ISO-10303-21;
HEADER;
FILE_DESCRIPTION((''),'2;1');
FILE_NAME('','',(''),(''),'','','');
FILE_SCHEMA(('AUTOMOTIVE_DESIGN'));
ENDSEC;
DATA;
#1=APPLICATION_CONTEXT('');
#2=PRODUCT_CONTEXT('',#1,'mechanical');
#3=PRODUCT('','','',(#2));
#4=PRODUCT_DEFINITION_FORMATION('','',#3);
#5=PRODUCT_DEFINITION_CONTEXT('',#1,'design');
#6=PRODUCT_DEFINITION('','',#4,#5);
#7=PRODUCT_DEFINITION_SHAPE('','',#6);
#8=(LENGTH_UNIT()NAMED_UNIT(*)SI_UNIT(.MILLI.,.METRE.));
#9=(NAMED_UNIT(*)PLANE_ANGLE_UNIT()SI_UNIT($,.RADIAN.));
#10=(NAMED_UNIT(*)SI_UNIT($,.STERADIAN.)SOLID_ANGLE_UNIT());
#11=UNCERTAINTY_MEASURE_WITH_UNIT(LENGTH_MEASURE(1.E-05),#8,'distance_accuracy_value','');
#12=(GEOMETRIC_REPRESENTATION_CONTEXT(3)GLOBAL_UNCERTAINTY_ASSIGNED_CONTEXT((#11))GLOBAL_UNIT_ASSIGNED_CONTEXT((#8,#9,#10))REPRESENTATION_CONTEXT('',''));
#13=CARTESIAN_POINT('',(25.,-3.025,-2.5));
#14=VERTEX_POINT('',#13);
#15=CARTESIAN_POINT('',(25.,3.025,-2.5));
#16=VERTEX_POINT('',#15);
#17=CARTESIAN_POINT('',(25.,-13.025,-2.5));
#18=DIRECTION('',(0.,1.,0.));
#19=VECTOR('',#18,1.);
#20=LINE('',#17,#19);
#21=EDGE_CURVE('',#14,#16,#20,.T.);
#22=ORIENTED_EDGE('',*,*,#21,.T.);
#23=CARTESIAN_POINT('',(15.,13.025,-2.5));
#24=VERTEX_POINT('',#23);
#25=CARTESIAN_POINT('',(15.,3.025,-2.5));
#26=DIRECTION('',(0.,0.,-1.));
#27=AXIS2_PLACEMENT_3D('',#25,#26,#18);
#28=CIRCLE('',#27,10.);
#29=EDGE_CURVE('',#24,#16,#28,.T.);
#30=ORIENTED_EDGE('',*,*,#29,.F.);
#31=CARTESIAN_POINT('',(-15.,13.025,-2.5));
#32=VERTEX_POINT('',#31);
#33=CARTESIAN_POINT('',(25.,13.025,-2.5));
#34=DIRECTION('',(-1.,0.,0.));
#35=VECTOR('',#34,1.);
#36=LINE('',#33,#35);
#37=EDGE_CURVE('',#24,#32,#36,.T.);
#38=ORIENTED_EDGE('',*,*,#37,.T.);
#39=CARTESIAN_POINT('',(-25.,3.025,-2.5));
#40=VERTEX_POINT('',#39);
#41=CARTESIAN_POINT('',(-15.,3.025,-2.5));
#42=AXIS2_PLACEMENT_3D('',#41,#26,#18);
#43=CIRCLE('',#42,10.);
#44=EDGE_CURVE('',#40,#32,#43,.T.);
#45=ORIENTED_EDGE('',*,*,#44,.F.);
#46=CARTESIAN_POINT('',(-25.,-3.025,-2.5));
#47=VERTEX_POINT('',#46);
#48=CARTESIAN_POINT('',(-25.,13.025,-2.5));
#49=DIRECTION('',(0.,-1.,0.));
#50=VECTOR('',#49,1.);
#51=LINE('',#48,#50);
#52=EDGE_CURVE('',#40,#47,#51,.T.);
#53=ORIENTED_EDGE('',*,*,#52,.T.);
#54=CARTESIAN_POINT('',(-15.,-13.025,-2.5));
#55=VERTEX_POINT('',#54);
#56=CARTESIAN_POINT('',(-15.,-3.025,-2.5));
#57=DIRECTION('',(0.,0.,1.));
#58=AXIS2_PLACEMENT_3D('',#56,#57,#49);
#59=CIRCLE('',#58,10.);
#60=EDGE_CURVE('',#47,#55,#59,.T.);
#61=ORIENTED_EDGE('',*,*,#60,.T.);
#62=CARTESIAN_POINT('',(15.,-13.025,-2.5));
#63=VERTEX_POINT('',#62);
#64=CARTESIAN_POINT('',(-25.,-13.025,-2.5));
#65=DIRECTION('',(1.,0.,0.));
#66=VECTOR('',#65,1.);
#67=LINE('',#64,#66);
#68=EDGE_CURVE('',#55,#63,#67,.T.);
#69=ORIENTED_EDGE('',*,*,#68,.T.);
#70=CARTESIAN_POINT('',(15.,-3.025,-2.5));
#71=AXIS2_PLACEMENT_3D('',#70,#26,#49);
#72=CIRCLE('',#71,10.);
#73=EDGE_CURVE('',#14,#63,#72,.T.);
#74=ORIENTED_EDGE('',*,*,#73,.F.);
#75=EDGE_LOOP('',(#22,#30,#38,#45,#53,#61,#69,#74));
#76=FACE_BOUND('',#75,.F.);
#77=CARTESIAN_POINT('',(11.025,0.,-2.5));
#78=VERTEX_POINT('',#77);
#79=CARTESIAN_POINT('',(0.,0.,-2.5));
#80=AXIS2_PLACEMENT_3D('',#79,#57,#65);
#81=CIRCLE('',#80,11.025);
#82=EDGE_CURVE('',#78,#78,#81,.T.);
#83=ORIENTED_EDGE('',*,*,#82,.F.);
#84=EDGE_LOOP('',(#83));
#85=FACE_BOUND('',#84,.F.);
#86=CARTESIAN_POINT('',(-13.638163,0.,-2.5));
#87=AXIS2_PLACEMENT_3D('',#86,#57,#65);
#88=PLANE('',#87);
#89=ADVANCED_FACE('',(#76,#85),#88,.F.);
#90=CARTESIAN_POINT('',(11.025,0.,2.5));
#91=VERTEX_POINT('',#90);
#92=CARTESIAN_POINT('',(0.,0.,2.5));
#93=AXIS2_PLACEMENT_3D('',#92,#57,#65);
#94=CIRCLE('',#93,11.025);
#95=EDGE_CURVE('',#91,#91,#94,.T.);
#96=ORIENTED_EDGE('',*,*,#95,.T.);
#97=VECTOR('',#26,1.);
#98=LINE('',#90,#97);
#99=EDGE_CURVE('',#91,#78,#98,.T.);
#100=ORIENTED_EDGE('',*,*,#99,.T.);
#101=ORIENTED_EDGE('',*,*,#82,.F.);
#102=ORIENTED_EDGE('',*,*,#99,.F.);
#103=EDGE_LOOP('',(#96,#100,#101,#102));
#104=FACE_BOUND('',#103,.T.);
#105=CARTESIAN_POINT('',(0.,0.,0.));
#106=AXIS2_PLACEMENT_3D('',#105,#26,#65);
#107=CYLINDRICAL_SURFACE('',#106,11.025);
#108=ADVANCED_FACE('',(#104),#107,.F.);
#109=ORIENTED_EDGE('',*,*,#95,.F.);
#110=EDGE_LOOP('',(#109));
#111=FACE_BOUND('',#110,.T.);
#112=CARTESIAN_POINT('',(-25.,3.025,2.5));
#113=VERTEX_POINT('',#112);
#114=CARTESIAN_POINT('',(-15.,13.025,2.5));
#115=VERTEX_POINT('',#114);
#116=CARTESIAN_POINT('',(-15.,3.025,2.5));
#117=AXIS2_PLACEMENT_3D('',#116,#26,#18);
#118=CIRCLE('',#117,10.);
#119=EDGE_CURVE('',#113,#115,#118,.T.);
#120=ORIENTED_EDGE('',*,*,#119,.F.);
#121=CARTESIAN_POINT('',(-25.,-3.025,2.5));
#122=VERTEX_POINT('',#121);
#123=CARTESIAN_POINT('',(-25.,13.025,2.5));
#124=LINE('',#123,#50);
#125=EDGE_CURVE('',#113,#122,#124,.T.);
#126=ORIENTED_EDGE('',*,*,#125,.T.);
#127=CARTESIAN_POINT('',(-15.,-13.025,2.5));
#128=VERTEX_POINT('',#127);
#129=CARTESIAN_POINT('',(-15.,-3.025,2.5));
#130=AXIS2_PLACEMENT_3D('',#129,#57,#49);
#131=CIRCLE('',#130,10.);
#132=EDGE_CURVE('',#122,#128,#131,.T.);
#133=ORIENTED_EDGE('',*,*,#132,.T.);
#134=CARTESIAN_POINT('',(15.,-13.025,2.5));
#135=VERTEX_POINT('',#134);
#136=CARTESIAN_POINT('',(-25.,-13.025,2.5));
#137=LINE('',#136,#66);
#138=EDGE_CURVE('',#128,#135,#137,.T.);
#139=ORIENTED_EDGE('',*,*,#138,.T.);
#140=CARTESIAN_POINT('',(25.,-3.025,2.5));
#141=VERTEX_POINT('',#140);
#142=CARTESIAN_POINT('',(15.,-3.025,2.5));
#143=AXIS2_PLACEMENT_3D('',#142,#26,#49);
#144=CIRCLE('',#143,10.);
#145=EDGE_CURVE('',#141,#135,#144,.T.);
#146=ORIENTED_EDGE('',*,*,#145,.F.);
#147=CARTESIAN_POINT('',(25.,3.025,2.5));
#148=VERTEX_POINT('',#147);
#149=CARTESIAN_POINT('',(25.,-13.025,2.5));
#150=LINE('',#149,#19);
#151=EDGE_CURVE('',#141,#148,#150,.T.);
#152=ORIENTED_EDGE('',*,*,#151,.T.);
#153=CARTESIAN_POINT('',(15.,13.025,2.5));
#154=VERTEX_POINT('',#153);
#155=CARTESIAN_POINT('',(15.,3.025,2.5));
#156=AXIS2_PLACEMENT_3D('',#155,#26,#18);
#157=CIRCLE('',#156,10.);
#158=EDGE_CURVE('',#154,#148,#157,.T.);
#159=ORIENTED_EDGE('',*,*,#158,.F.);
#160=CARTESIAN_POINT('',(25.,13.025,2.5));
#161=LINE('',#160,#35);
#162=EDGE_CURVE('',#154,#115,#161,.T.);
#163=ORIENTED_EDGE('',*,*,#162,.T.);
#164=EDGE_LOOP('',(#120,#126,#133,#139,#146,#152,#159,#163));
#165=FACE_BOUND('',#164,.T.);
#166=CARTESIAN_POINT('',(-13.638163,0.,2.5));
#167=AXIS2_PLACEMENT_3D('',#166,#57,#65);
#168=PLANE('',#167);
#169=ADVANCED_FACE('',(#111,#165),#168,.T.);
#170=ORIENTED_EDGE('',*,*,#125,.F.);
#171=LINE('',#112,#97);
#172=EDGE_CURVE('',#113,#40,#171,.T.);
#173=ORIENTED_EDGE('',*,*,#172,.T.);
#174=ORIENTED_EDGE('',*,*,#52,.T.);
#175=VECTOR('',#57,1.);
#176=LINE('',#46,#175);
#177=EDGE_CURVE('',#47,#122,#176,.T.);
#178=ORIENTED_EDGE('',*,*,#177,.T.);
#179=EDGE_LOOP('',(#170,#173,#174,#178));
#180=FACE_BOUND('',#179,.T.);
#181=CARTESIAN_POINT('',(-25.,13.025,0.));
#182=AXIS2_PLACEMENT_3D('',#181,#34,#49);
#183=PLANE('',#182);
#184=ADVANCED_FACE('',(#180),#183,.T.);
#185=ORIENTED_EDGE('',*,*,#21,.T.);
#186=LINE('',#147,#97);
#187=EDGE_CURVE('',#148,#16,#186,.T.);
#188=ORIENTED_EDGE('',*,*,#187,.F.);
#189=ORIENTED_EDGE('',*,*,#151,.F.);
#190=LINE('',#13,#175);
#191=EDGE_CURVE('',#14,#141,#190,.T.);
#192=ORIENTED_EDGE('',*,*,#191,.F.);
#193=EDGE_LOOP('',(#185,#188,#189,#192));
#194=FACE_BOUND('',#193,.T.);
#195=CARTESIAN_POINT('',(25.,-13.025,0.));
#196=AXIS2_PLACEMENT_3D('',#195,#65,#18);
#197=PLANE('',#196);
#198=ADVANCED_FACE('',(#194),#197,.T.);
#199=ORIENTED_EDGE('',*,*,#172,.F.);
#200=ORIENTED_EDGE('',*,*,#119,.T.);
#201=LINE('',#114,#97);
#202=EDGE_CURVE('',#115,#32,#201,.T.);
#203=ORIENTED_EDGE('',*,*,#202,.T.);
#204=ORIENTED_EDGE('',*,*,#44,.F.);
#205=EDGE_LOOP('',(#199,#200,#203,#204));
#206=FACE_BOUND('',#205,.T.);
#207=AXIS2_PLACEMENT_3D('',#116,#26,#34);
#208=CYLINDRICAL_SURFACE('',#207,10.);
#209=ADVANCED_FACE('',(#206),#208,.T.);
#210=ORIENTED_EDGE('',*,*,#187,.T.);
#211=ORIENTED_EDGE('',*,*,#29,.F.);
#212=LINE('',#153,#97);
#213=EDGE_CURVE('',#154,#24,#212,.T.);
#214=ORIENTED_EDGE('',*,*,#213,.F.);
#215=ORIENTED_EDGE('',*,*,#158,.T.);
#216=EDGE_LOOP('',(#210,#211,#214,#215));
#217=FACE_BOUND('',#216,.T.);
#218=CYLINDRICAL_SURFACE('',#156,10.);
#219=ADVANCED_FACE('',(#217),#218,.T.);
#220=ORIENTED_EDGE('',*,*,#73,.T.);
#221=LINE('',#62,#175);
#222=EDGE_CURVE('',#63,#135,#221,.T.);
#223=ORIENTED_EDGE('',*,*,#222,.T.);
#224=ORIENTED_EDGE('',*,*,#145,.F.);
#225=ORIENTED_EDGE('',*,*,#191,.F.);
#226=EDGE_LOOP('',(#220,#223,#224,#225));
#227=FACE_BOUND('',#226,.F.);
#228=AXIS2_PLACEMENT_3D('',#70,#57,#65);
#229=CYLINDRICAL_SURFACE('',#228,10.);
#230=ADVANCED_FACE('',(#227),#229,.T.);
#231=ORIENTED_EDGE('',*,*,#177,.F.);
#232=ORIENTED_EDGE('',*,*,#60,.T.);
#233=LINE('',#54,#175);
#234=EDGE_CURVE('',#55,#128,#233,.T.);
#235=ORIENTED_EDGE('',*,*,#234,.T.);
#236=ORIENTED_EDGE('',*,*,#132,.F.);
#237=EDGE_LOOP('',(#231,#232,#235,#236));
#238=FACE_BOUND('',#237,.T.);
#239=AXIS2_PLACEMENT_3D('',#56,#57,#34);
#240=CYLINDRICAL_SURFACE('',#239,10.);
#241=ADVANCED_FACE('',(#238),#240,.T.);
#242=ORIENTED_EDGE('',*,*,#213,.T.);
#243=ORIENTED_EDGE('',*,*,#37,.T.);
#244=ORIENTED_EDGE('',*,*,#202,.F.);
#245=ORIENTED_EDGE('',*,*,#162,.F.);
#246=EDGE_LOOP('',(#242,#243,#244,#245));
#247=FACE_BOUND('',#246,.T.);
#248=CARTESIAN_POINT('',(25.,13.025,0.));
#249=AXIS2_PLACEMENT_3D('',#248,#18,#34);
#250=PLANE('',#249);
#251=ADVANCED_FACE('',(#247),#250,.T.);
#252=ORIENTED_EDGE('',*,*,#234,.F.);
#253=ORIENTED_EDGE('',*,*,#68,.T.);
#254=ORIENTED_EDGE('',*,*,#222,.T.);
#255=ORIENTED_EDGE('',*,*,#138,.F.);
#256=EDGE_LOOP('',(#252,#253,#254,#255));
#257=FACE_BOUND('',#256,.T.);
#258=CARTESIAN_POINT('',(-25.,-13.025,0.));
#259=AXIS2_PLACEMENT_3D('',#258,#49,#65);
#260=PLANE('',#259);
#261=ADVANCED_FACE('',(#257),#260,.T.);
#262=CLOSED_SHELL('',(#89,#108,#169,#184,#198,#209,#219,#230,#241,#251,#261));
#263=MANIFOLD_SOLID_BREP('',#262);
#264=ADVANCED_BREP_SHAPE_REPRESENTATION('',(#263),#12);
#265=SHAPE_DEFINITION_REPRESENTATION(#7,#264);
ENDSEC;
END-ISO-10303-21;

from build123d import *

# Parameters (mm, degrees)
F0_R     = 11.025
F1_DEPTH = 2.5
F4_R     = 10


with BuildPart() as f1:
    # F0 (on Top) → F1 (new body, symmetric)
    with BuildSketch(Plane.XY):
        with BuildLine():
            ThreePointArc((0, -13.025), (-13.025, 0), (0, 13.025))
            Line((0, 13.025), (-25, 13.025))
            Line((-25, 13.025), (-25, -13.025))
            Line((-25, -13.025), (0, -13.025))
        make_face()
        with BuildLine():
            ThreePointArc((0, 13.025), (9.210066, 9.210066), (13.025, 0))
            ThreePointArc((13.025, 0), (9.210066, -9.210066), (0, -13.025))
            Line((0, -13.025), (25, -13.025))
            Line((25, -13.025), (25, 13.025))
            Line((25, 13.025), (0, 13.025))
        make_face()
        with BuildLine():
            ThreePointArc((0, -13.025), (9.210066, -9.210066), (13.025, 0))
            ThreePointArc((13.025, 0), (9.210066, 9.210066), (0, 13.025))
            ThreePointArc((0, 13.025), (-13.025, 0), (0, -13.025))
        make_face()
        Circle(F0_R, mode=Mode.SUBTRACT)
    extrude(amount=F1_DEPTH, both=True)

    # F2 (on Right) → F3 (revolve, cut)
    with BuildSketch(Plane.YZ):
        with BuildLine():
            Line((6.4, 2.5), (5.430738, 2.5))
            Line((5.430738, 2.5), (5.430738, -2.5))
            Line((5.430738, -2.5), (6.4, -2.5))
            add(Edge.make_bspline(
                [(6.4, 2.5), (6.199995, 1.666646), (6.3, -2.1e-05), (6.200005, -1.666687), (6.4, -2.5)],
                knots=[0, 0, 0, 0, 2.504557, 5.008992, 5.008992, 5.008992, 5.008992], degree=3))
        make_face()
    revolve(axis=Axis((0, 0, 5.107941), (0, 0, 1)), mode=Mode.SUBTRACT)

    # F4
    f4_edges = [f1.edges().sort_by_distance(p)[0] for p in [
        (-25, -13.025, 0),
        (-25, 13.025, 0),
        (25, -13.025, 0),
        (25, 13.025, 0),
    ]]
    fillet(f4_edges, radius=F4_R)


solid = f1.part
